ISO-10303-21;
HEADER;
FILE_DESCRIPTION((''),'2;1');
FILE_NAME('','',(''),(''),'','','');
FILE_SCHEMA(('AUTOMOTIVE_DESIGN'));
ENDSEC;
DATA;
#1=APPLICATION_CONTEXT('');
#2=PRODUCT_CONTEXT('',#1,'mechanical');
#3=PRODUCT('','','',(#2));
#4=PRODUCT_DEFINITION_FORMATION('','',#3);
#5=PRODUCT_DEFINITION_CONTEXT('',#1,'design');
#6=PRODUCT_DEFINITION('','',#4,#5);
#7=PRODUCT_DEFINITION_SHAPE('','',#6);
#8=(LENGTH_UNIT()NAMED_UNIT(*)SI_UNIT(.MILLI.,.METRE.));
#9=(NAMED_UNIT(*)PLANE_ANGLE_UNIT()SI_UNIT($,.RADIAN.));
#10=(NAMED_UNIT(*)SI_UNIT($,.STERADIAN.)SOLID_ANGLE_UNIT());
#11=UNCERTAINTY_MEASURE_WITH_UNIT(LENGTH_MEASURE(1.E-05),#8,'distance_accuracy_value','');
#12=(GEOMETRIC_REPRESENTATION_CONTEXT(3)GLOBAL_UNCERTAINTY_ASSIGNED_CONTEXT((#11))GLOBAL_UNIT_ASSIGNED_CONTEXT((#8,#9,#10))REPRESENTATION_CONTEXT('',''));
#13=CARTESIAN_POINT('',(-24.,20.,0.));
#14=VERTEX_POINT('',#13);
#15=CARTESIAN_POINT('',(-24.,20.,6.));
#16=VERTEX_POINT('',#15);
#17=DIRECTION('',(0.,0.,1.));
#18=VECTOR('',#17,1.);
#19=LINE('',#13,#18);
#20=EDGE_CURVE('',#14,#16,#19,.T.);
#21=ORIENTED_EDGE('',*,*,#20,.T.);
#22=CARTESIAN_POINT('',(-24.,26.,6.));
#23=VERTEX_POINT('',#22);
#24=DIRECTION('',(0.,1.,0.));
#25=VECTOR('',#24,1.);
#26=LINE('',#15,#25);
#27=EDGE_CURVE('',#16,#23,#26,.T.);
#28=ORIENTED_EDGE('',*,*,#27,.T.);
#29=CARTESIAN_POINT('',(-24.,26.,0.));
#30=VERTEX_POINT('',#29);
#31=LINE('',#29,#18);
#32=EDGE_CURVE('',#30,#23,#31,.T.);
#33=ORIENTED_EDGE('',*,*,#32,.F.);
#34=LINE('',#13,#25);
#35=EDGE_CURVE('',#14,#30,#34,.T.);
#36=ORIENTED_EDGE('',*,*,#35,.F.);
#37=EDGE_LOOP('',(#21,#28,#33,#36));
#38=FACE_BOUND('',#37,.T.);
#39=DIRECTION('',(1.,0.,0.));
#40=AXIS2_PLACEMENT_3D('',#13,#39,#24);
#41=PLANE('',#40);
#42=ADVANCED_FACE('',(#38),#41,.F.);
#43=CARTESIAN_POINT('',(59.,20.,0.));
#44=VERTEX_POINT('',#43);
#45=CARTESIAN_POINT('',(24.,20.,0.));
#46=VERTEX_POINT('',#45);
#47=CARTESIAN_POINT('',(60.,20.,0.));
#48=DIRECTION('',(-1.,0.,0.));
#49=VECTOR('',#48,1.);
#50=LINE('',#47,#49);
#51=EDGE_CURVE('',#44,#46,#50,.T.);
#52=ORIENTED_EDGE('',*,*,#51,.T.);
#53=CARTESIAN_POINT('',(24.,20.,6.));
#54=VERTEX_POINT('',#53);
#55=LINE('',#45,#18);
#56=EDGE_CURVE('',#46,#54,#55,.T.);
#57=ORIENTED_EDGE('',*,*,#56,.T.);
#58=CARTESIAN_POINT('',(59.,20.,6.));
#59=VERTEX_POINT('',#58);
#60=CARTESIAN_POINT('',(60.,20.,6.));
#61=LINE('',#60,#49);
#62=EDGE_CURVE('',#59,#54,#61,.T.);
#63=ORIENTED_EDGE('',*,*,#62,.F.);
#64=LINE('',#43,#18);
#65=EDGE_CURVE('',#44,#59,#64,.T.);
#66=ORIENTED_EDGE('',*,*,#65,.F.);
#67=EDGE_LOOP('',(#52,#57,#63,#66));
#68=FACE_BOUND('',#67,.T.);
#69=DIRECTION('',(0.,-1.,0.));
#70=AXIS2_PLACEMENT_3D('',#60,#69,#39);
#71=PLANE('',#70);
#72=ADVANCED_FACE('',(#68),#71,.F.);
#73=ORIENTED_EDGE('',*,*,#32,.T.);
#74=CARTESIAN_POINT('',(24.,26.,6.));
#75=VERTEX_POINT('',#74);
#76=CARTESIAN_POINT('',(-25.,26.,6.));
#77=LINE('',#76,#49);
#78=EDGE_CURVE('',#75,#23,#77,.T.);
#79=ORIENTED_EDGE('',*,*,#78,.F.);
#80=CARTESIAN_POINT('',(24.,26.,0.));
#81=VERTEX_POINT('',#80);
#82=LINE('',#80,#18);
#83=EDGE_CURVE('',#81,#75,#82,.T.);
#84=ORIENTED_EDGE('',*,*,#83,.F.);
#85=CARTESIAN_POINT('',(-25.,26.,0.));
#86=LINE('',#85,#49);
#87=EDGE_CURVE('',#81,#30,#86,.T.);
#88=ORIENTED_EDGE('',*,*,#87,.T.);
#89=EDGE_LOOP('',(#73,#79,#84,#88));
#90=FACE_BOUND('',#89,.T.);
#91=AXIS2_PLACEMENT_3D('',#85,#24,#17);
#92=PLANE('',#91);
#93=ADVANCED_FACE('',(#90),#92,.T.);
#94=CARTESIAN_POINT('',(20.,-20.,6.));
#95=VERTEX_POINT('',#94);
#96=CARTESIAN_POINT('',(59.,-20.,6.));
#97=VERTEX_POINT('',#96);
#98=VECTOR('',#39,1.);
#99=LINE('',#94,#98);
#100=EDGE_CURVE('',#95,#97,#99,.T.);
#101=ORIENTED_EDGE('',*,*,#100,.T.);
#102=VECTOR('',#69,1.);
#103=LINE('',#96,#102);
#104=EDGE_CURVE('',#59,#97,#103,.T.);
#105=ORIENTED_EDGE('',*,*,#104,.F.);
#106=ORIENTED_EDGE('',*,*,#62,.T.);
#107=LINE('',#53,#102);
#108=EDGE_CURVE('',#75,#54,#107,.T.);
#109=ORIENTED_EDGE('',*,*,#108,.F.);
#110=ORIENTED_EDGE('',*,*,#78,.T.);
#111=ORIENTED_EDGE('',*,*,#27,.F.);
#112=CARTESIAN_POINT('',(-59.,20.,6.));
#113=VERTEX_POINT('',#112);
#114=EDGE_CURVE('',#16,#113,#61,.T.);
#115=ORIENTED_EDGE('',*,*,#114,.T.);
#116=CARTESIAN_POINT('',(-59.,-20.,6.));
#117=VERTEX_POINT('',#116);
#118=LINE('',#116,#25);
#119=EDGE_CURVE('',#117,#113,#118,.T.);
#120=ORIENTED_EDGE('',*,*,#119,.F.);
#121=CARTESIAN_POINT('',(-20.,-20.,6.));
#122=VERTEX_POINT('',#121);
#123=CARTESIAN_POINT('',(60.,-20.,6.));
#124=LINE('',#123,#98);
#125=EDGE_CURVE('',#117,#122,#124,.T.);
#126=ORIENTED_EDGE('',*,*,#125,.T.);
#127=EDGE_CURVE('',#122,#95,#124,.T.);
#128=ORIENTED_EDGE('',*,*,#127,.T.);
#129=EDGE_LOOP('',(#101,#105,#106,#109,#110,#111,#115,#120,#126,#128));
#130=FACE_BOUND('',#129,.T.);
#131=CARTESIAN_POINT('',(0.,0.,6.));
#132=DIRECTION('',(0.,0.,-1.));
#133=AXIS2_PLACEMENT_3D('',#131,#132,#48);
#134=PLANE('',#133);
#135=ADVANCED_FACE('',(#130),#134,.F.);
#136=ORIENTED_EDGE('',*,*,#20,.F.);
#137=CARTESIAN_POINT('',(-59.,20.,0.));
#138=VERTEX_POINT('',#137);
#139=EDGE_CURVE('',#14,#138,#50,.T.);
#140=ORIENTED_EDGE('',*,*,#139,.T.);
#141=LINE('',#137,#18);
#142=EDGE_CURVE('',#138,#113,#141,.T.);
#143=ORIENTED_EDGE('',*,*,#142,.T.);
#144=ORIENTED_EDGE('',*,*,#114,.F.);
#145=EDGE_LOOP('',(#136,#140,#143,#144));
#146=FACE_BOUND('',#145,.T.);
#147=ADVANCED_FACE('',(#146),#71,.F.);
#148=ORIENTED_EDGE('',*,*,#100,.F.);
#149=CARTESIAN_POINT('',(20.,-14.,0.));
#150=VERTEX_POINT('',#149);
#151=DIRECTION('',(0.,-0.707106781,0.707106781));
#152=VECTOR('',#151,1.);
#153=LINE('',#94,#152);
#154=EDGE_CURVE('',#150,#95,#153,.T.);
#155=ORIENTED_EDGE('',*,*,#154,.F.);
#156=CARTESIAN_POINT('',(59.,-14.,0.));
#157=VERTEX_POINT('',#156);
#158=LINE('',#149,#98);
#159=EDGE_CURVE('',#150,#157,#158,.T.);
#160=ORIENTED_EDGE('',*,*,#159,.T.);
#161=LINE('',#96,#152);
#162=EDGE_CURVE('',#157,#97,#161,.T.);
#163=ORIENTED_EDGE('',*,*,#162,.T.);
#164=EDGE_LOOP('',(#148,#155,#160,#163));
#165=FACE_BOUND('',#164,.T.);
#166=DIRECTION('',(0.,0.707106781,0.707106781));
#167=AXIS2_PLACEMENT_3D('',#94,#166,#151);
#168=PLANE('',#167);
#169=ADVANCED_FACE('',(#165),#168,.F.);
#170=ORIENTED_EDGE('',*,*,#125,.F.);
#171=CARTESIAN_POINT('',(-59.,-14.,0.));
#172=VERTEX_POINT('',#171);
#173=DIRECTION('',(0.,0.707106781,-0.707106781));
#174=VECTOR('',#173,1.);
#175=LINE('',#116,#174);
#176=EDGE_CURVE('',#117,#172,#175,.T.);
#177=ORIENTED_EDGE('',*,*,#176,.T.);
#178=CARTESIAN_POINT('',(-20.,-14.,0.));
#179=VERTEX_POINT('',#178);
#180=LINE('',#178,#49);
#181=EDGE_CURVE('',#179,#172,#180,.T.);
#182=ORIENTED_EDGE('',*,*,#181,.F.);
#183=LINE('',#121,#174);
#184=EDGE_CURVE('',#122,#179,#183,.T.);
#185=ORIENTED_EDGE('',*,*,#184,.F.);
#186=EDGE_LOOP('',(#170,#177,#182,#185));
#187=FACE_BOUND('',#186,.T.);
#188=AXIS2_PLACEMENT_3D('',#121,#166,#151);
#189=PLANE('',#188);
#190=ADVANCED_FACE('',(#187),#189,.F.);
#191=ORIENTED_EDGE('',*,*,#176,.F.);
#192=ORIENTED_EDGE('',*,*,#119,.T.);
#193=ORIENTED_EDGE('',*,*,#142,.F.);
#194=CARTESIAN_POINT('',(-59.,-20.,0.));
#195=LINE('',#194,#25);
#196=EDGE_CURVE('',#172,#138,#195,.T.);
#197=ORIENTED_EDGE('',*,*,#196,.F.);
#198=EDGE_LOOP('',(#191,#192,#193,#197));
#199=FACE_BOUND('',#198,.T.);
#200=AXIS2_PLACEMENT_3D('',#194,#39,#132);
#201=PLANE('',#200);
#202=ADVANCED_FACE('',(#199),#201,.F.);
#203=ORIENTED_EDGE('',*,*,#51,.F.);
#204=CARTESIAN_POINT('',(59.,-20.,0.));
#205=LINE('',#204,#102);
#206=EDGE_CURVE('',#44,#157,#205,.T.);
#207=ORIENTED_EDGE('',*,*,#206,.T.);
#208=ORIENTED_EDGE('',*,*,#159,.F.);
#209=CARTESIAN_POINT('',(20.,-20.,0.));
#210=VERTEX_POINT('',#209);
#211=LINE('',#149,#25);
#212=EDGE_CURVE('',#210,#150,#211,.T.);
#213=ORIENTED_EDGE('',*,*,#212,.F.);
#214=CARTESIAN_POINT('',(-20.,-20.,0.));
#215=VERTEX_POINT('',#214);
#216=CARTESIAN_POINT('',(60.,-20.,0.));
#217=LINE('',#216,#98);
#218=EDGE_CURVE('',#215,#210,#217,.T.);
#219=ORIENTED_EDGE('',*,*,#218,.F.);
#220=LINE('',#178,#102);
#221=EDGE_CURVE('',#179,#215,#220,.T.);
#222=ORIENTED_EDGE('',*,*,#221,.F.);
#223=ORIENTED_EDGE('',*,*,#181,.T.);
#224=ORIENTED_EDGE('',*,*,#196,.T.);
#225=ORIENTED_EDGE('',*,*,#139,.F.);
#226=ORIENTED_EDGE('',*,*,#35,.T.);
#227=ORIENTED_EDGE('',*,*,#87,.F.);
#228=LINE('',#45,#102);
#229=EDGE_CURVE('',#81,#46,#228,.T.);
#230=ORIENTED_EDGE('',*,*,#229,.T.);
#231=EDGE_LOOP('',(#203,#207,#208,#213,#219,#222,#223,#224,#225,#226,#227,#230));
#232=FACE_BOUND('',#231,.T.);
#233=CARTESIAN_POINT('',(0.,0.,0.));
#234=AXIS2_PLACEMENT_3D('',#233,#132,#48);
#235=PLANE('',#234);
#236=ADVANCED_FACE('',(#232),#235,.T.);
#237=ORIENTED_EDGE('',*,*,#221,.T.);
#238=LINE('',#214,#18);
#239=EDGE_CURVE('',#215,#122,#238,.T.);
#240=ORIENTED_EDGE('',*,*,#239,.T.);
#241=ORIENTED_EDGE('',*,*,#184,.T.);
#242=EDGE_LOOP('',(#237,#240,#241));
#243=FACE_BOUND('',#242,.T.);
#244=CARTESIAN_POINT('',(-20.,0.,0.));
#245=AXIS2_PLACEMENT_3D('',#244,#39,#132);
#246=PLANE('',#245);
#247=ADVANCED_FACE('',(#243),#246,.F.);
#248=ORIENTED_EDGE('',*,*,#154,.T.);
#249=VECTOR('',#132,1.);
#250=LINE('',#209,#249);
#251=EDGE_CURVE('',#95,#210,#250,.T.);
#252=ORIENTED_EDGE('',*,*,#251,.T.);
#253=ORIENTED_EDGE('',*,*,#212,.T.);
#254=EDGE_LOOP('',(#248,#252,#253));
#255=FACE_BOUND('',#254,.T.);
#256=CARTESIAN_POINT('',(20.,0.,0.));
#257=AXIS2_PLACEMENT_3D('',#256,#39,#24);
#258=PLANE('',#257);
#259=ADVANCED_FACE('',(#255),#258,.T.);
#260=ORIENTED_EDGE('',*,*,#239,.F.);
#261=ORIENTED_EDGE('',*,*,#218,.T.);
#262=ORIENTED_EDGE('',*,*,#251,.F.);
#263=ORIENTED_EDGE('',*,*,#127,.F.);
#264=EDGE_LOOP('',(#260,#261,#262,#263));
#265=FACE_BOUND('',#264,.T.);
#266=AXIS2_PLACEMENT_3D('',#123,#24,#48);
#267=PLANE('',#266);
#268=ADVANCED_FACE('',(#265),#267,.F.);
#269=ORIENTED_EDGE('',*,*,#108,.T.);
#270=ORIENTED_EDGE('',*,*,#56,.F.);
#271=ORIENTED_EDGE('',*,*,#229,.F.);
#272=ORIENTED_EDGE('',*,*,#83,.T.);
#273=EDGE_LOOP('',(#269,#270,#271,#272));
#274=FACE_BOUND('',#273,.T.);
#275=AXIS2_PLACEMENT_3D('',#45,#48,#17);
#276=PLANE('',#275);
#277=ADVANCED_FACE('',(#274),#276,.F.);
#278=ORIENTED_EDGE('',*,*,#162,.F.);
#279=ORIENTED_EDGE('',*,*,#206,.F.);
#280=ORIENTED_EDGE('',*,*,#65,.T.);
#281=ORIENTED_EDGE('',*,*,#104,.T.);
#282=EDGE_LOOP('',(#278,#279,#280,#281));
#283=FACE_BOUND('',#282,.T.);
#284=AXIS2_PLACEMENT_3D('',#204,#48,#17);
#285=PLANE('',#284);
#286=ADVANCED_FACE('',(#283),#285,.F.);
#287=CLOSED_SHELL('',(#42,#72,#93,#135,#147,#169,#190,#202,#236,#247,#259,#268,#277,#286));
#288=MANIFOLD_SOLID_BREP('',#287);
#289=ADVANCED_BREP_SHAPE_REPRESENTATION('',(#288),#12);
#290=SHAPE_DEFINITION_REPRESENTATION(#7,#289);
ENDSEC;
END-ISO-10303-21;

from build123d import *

# Parameters (mm, degrees)
ESQUISSE1_W        = 120
ESQUISSE1_H        = 40
BOSS_EXTRU_1_DEPTH = 6
ESQUISSE2_W        = 50
ESQUISSE2_H        = 6
BOSS_EXTRU_2_DEPTH = 6
CUT_EXTRUDE1_DEPTH = 40
CUT_EXTRUDE2_DEPTH = 40
SKETCH3_W          = 1
SKETCH3_H          = 40
SKETCH3_H_2        = 6
CUT_EXTRUDE3_DEPTH = 7


with BuildPart() as part:
    # Esquisse1 → Boss.-Extru.1 (new body)
    with BuildSketch(Plane.XY):
        Rectangle(ESQUISSE1_W, ESQUISSE1_H)
    extrude(amount=BOSS_EXTRU_1_DEPTH)

    # Esquisse2 → Boss.-Extru.2 (add)
    with BuildSketch(Plane.XY.offset(6)):
        with Locations((0, 23)):
            Rectangle(ESQUISSE2_W, ESQUISSE2_H)
    extrude(amount=-BOSS_EXTRU_2_DEPTH)

    # Sketch1 → Cut-Extrude1 (cut)
    with BuildSketch(Plane.ZY.offset(60)):
        Polygon((6, -20), (0, -14), (0, -20), align=None)
    extrude(amount=-CUT_EXTRUDE1_DEPTH, mode=Mode.SUBTRACT)

    # Sketch2 → Cut-Extrude2 (cut)
    with BuildSketch(Plane(origin=(60, 0, 0), x_dir=(0, 0, -1), z_dir=(1, 0, 0))):
        Polygon((-6, -20), (0, -14), (0, -20), align=None)
    extrude(amount=-CUT_EXTRUDE2_DEPTH, mode=Mode.SUBTRACT)

    # Sketch3 → Cut-Extrude3 (cut, through all)
    with BuildSketch(Plane.XY.offset(6)):
        with Locations((59.5, 0)):
            Rectangle(SKETCH3_W, SKETCH3_H)
        with Locations((24.5, 23)):
            Rectangle(SKETCH3_W, SKETCH3_H_2)
        with Locations((-24.5, 23)):
            Rectangle(SKETCH3_W, SKETCH3_H_2)
        with Locations((-59.5, 0)):
            Rectangle(SKETCH3_W, SKETCH3_H)
    extrude(amount=-CUT_EXTRUDE3_DEPTH, mode=Mode.SUBTRACT)


solid = part.part
